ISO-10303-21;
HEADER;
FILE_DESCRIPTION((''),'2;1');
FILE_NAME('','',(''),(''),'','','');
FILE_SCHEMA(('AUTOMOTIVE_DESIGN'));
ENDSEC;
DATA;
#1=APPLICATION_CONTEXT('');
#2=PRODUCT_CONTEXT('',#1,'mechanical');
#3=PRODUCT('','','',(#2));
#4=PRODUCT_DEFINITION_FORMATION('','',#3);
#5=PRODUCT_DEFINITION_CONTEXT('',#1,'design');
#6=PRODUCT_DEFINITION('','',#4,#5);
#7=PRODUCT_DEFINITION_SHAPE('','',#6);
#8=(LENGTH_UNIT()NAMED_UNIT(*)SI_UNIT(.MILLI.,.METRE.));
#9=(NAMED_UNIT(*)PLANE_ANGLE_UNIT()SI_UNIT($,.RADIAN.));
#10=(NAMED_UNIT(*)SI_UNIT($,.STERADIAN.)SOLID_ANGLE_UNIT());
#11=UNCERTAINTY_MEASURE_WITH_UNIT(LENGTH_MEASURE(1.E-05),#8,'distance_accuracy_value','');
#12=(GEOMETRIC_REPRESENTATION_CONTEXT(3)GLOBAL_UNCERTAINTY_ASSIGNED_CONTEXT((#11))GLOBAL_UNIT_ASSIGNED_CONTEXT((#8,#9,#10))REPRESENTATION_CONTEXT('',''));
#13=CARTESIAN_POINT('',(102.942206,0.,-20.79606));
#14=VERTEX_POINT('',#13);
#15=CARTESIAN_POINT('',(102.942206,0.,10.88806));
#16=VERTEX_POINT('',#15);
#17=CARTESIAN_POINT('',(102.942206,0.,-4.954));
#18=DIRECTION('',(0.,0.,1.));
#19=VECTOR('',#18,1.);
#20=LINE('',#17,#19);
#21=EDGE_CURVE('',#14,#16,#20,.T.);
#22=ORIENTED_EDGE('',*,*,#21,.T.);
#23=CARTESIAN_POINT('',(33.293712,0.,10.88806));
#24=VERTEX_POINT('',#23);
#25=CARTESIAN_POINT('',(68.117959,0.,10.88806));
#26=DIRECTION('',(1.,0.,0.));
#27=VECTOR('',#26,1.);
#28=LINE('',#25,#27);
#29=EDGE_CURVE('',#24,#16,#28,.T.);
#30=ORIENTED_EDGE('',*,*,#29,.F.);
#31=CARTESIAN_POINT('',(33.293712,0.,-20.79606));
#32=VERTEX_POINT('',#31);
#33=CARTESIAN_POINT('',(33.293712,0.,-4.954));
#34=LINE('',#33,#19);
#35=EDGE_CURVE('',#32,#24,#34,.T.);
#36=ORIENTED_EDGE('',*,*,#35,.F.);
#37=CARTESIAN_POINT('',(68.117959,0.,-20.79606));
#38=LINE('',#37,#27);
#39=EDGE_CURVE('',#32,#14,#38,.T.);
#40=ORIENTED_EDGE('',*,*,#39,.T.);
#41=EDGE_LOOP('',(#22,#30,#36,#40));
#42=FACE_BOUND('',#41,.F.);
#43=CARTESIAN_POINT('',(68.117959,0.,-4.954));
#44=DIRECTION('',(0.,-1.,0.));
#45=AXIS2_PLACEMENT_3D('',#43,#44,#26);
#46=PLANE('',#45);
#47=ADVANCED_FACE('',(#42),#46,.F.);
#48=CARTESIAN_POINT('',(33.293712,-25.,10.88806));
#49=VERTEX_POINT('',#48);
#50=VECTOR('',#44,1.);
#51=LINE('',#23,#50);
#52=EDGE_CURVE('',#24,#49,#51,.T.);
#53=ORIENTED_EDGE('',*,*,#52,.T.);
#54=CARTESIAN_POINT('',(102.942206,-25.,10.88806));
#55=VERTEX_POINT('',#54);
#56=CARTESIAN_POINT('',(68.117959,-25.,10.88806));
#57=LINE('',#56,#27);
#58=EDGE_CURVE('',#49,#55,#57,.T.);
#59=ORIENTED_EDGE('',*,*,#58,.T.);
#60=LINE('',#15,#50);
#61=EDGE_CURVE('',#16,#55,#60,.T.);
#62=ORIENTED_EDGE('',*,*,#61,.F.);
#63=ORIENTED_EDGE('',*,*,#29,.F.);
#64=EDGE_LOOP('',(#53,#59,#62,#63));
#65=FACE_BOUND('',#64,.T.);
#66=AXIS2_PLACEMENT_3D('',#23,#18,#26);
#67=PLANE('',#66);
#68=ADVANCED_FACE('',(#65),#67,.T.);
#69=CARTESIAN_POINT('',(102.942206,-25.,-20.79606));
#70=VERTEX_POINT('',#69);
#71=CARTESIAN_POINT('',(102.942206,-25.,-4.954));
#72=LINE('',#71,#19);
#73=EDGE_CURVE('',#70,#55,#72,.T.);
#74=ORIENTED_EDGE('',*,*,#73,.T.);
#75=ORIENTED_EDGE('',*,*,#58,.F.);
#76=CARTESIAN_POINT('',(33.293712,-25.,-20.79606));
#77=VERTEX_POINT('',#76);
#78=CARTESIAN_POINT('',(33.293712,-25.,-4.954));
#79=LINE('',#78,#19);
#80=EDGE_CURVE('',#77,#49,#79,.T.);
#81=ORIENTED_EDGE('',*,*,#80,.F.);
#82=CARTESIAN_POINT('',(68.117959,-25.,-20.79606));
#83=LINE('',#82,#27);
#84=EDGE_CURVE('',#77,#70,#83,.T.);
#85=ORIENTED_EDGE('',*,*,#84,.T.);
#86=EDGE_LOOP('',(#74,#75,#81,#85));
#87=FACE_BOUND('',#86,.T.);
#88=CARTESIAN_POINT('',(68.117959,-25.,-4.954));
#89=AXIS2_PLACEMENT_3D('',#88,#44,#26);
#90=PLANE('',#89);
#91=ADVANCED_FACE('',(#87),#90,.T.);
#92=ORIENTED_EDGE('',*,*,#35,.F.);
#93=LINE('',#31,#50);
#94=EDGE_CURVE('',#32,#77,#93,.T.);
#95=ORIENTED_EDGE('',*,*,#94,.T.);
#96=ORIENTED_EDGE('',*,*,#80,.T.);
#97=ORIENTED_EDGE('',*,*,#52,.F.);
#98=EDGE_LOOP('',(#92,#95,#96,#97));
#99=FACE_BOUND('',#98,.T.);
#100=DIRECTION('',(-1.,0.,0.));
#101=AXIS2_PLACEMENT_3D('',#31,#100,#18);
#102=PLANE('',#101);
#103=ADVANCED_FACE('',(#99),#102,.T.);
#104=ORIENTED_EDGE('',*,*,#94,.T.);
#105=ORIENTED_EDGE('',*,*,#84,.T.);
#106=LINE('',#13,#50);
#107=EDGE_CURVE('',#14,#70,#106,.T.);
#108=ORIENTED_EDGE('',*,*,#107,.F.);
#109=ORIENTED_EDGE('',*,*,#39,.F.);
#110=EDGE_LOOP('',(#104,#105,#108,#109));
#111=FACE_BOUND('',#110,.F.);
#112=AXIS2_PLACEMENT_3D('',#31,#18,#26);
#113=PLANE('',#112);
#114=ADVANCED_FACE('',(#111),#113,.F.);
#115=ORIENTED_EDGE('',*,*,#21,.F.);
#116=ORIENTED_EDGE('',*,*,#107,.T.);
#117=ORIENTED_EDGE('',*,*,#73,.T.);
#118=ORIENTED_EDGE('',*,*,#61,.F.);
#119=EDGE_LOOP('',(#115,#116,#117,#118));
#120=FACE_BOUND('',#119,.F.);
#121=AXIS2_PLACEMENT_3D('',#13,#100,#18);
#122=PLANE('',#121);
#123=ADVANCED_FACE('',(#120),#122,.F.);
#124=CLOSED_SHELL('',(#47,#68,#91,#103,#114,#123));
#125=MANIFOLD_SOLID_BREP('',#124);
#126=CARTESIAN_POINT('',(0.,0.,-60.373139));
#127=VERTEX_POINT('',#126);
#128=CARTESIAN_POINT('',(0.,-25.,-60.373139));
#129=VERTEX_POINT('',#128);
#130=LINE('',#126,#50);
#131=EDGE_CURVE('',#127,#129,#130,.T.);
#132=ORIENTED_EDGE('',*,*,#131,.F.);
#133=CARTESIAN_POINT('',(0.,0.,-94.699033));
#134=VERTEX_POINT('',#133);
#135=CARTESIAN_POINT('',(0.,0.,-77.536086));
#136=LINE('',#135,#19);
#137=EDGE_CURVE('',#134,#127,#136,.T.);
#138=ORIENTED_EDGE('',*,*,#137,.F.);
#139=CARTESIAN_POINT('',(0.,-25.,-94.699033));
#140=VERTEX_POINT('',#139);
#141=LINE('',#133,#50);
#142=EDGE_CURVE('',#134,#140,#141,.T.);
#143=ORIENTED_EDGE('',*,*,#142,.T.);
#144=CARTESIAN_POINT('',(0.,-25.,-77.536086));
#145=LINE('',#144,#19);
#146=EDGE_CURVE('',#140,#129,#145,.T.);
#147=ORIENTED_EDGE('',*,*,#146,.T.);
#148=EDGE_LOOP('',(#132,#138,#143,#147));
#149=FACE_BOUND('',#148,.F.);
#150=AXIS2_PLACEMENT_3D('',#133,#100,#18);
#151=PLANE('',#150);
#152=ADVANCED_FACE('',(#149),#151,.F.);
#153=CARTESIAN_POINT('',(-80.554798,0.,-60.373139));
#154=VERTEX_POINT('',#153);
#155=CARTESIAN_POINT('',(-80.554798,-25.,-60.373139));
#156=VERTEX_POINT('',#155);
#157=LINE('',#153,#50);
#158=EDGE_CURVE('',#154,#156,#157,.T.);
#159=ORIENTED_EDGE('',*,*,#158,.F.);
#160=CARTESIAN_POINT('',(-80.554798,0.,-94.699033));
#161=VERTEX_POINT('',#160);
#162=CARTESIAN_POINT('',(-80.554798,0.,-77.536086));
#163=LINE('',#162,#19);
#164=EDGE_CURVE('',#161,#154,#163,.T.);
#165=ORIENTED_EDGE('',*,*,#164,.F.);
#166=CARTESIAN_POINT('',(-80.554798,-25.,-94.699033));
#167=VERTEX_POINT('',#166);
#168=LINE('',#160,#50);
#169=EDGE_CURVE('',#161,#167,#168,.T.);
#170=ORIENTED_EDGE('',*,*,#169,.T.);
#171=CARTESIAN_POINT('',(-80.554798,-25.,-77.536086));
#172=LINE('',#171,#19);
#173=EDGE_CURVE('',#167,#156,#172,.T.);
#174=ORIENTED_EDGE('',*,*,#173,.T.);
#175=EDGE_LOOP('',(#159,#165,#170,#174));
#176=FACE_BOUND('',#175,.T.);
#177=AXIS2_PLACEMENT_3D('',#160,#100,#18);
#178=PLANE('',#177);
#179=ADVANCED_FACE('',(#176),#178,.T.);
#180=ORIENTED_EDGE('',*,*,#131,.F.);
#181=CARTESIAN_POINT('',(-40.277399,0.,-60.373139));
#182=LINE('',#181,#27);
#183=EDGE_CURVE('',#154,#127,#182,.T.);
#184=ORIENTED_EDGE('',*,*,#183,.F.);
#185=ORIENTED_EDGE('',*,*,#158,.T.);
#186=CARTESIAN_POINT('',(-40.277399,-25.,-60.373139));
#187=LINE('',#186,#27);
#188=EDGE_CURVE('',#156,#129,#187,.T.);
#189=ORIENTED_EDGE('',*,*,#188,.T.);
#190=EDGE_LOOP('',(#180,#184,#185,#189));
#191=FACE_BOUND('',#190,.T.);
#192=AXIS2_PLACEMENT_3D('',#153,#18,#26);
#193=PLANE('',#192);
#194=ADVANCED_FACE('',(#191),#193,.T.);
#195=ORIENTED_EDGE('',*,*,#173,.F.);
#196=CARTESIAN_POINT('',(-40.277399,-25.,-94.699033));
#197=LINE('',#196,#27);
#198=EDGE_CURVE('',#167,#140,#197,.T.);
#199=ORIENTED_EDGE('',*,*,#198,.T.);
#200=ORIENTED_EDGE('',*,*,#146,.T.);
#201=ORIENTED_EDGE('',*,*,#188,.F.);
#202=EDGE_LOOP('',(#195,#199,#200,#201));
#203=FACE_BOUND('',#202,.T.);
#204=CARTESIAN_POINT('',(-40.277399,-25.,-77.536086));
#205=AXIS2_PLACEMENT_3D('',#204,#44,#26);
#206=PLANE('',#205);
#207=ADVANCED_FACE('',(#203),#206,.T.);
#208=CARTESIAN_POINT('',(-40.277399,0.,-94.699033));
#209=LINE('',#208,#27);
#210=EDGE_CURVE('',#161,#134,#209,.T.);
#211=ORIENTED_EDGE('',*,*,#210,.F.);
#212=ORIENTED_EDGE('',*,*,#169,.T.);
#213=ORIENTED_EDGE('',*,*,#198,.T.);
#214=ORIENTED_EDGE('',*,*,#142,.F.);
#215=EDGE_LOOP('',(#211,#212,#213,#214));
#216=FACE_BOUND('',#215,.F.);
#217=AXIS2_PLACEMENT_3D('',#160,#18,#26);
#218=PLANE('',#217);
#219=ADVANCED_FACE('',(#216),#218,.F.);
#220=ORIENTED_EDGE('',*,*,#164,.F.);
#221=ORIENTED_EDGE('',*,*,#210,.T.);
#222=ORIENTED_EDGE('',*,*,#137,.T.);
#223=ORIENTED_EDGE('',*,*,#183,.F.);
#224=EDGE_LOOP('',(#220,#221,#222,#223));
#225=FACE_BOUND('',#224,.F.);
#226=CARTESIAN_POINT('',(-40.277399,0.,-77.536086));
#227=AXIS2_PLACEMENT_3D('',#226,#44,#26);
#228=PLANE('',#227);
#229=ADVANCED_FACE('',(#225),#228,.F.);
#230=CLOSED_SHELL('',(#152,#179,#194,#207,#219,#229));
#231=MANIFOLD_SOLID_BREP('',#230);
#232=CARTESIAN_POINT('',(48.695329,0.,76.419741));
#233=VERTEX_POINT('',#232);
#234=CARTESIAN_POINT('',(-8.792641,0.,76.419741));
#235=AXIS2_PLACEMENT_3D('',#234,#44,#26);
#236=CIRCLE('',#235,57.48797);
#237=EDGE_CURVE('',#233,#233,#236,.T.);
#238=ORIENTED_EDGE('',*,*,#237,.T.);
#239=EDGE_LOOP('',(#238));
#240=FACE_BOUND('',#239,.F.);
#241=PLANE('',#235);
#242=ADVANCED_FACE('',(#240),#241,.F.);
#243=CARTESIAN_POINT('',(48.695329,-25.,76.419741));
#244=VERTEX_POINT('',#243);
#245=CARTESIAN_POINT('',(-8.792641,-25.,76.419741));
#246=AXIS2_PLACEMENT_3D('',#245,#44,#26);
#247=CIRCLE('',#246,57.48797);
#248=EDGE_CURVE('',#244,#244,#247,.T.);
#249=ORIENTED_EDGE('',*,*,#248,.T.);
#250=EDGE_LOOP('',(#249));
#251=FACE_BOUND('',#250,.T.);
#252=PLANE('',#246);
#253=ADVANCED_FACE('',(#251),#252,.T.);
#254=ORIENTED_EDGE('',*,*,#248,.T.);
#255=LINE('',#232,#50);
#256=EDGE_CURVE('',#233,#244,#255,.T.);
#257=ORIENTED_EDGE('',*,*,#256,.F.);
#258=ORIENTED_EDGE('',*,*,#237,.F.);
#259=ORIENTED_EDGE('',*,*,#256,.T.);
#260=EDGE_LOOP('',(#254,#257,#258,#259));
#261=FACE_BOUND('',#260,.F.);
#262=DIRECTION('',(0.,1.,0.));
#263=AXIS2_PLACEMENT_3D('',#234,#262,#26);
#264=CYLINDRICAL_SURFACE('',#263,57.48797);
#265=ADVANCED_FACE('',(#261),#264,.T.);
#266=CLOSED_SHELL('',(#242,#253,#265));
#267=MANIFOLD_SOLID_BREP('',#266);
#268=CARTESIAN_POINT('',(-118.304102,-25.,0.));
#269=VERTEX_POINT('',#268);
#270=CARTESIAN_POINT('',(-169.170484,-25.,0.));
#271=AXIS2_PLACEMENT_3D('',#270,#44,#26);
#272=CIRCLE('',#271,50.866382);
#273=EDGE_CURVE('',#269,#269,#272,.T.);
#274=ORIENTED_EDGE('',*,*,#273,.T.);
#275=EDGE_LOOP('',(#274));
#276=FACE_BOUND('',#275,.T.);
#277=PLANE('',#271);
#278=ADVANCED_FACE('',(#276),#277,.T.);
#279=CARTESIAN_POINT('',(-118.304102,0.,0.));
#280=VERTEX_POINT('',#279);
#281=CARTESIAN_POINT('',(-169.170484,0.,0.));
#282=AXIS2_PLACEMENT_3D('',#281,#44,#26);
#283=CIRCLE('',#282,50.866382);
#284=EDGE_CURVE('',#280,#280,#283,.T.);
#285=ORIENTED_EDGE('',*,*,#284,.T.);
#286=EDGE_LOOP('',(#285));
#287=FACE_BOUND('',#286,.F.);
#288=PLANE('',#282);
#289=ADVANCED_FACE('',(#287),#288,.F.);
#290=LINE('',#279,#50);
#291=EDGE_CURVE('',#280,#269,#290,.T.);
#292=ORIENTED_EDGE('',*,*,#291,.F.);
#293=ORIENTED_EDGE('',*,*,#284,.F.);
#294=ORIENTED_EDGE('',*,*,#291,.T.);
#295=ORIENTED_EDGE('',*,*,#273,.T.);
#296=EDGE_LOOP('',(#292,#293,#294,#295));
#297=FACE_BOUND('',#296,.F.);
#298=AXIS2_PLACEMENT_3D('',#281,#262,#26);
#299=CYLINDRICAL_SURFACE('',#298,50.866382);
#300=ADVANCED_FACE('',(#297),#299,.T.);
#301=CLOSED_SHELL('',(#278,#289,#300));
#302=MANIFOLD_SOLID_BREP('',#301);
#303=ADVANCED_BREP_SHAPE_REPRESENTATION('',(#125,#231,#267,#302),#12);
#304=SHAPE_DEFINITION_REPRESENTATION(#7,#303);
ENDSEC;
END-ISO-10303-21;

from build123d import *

# Parameters (mm, degrees)
F0_R     = 50.866382
F0_R_2   = 57.48797
F2_W     = 69.648493
F2_H     = 31.684121
F1_W     = 80.554798
F1_H     = 34.325894
F3_DEPTH = 25


with BuildPart() as f3:
    # F0 (on Front) + F2 (on Front) + F1 (on Front) → F3 (new body)
    with BuildSketch(Plane.XZ):
        with Locations((-169.170484, 0)):
            Circle(F0_R)
        with Locations((-8.792641, 76.419741)):
            Circle(F0_R_2)
    with BuildSketch(Plane.XZ):
        with Locations((68.117959, -4.954)):
            Rectangle(F2_W, F2_H)
    with BuildSketch(Plane.XZ):
        with Locations((-40.277399, -77.536086)):
            Rectangle(F1_W, F1_H)
    extrude(amount=F3_DEPTH)


solid = f3.part
